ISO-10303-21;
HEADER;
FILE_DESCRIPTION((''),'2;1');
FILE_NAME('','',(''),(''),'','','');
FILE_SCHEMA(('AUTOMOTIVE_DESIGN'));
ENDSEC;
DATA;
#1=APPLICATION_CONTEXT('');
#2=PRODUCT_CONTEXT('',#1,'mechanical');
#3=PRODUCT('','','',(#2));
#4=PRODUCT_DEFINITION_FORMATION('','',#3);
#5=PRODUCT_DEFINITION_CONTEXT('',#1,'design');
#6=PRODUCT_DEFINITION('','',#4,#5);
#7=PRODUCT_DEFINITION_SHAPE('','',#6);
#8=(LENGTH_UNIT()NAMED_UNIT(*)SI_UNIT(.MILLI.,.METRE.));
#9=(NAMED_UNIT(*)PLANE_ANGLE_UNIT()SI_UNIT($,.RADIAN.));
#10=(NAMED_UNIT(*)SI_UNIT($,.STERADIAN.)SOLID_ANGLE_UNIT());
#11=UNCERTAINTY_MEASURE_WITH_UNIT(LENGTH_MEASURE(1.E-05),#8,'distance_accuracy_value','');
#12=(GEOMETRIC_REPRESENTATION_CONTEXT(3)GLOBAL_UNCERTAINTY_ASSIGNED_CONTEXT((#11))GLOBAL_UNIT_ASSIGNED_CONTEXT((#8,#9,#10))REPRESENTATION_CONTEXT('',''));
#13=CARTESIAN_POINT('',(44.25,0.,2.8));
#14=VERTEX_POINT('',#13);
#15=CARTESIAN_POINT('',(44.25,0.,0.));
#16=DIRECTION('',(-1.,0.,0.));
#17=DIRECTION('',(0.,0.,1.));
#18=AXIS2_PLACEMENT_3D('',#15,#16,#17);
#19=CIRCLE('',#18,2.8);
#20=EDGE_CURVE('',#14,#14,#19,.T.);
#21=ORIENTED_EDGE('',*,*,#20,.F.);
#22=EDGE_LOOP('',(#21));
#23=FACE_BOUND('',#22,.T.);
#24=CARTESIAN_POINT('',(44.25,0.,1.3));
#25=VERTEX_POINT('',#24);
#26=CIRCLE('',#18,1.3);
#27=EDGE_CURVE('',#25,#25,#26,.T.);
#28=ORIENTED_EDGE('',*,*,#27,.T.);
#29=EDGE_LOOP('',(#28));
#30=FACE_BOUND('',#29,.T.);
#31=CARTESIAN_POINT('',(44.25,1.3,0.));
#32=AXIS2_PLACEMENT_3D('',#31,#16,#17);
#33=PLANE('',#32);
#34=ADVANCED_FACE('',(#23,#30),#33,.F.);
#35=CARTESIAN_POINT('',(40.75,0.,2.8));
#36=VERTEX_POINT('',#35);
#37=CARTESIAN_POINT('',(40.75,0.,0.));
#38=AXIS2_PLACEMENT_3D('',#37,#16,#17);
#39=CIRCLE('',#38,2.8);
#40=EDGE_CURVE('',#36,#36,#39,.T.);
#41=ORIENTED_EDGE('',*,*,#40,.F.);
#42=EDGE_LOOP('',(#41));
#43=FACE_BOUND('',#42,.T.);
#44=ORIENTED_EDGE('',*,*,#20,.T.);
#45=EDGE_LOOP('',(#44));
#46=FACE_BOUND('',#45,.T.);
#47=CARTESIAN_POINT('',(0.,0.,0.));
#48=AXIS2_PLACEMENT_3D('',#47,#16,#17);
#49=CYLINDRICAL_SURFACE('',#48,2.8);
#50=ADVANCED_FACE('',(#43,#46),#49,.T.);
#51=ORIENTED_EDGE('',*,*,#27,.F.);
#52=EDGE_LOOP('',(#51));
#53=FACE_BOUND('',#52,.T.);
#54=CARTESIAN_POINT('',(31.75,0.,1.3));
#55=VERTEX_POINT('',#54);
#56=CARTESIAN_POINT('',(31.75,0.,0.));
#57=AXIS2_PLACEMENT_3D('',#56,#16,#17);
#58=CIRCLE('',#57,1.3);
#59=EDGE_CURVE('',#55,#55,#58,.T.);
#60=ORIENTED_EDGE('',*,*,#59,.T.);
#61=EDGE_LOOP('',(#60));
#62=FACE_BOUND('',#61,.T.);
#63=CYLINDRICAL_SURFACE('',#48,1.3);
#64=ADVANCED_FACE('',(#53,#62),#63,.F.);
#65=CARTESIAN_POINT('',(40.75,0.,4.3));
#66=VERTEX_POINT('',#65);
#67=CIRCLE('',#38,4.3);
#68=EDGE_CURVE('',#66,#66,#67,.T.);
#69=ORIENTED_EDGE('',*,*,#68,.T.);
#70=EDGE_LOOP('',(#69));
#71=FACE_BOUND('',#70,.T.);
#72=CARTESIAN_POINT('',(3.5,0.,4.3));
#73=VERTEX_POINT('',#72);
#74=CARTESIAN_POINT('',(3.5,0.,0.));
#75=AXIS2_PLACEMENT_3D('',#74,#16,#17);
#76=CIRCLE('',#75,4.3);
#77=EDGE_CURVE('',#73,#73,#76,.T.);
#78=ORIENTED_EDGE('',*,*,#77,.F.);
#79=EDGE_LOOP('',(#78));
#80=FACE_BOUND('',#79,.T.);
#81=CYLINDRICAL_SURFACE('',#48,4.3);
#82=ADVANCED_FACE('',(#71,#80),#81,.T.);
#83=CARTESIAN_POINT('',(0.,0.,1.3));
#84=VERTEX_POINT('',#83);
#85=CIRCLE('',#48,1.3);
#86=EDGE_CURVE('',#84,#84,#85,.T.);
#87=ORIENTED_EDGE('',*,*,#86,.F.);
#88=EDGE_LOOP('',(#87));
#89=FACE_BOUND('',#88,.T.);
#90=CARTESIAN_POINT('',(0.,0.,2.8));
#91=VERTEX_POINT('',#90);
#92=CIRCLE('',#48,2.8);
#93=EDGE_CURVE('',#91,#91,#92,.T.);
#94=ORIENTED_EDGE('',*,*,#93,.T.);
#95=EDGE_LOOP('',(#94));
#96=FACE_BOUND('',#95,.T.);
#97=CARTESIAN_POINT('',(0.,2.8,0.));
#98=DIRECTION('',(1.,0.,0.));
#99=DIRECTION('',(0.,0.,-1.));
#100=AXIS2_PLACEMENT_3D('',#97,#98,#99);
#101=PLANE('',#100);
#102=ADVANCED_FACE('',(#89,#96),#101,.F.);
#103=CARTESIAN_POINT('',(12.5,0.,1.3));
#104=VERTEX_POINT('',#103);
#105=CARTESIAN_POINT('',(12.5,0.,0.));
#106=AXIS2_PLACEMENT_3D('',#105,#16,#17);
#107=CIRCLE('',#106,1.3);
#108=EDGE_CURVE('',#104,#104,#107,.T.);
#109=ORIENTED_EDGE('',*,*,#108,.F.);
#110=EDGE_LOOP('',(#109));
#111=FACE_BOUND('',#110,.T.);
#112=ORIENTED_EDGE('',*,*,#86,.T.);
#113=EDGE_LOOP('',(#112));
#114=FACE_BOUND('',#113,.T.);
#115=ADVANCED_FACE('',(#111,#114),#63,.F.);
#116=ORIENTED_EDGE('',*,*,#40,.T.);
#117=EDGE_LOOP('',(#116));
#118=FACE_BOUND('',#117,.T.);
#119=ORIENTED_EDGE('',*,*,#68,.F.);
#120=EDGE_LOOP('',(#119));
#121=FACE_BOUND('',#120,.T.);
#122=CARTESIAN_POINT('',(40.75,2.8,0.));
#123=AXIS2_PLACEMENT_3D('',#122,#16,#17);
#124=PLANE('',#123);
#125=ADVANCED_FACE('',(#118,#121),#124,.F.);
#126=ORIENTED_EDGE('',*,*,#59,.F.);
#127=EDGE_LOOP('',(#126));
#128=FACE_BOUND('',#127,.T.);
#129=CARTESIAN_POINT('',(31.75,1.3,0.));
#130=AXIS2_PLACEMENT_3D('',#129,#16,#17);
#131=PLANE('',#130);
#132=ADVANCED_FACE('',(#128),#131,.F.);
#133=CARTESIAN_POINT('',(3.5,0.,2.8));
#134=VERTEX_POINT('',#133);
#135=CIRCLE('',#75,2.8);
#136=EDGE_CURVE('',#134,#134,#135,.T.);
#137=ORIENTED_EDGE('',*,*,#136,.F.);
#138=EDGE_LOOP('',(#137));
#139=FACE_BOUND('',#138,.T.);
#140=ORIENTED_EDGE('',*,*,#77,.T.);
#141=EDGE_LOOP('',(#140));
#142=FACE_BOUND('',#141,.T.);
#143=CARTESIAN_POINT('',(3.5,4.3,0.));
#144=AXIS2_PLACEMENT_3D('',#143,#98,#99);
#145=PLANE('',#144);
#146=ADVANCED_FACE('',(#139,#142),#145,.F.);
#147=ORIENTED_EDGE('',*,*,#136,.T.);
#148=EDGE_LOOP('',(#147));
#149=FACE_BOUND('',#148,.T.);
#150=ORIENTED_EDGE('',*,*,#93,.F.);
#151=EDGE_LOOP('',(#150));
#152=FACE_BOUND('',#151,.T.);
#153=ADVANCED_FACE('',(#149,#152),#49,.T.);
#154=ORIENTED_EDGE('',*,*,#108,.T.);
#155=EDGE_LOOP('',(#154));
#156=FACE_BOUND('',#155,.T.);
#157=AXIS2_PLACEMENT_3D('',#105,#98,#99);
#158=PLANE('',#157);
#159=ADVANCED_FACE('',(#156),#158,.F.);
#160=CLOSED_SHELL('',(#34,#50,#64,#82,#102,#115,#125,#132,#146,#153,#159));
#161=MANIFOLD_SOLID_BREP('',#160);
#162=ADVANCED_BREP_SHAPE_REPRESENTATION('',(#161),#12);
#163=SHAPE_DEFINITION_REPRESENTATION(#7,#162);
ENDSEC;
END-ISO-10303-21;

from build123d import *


with BuildPart() as part:
    # Sketch1 → Revolve1 (revolve)
    with BuildSketch(Plane.XY, mode=Mode.PRIVATE) as revolve1_sk:
        Polygon((0, 1.3), (12.5, 1.3), (12.5, 0), (31.75, 0), (31.75, 1.3), (44.25, 1.3), (44.25, 2.8), (40.75, 2.8), (40.75, 4.3), (3.5, 4.3), (3.5, 2.8), (0, 2.8), align=None)
    revolve(revolve1_sk.sketch.rotate(Axis((0, 0, 0), (1, 0, 0)), 90), axis=Axis((0, 0, 0), (1, 0, 0)))


solid = part.part
